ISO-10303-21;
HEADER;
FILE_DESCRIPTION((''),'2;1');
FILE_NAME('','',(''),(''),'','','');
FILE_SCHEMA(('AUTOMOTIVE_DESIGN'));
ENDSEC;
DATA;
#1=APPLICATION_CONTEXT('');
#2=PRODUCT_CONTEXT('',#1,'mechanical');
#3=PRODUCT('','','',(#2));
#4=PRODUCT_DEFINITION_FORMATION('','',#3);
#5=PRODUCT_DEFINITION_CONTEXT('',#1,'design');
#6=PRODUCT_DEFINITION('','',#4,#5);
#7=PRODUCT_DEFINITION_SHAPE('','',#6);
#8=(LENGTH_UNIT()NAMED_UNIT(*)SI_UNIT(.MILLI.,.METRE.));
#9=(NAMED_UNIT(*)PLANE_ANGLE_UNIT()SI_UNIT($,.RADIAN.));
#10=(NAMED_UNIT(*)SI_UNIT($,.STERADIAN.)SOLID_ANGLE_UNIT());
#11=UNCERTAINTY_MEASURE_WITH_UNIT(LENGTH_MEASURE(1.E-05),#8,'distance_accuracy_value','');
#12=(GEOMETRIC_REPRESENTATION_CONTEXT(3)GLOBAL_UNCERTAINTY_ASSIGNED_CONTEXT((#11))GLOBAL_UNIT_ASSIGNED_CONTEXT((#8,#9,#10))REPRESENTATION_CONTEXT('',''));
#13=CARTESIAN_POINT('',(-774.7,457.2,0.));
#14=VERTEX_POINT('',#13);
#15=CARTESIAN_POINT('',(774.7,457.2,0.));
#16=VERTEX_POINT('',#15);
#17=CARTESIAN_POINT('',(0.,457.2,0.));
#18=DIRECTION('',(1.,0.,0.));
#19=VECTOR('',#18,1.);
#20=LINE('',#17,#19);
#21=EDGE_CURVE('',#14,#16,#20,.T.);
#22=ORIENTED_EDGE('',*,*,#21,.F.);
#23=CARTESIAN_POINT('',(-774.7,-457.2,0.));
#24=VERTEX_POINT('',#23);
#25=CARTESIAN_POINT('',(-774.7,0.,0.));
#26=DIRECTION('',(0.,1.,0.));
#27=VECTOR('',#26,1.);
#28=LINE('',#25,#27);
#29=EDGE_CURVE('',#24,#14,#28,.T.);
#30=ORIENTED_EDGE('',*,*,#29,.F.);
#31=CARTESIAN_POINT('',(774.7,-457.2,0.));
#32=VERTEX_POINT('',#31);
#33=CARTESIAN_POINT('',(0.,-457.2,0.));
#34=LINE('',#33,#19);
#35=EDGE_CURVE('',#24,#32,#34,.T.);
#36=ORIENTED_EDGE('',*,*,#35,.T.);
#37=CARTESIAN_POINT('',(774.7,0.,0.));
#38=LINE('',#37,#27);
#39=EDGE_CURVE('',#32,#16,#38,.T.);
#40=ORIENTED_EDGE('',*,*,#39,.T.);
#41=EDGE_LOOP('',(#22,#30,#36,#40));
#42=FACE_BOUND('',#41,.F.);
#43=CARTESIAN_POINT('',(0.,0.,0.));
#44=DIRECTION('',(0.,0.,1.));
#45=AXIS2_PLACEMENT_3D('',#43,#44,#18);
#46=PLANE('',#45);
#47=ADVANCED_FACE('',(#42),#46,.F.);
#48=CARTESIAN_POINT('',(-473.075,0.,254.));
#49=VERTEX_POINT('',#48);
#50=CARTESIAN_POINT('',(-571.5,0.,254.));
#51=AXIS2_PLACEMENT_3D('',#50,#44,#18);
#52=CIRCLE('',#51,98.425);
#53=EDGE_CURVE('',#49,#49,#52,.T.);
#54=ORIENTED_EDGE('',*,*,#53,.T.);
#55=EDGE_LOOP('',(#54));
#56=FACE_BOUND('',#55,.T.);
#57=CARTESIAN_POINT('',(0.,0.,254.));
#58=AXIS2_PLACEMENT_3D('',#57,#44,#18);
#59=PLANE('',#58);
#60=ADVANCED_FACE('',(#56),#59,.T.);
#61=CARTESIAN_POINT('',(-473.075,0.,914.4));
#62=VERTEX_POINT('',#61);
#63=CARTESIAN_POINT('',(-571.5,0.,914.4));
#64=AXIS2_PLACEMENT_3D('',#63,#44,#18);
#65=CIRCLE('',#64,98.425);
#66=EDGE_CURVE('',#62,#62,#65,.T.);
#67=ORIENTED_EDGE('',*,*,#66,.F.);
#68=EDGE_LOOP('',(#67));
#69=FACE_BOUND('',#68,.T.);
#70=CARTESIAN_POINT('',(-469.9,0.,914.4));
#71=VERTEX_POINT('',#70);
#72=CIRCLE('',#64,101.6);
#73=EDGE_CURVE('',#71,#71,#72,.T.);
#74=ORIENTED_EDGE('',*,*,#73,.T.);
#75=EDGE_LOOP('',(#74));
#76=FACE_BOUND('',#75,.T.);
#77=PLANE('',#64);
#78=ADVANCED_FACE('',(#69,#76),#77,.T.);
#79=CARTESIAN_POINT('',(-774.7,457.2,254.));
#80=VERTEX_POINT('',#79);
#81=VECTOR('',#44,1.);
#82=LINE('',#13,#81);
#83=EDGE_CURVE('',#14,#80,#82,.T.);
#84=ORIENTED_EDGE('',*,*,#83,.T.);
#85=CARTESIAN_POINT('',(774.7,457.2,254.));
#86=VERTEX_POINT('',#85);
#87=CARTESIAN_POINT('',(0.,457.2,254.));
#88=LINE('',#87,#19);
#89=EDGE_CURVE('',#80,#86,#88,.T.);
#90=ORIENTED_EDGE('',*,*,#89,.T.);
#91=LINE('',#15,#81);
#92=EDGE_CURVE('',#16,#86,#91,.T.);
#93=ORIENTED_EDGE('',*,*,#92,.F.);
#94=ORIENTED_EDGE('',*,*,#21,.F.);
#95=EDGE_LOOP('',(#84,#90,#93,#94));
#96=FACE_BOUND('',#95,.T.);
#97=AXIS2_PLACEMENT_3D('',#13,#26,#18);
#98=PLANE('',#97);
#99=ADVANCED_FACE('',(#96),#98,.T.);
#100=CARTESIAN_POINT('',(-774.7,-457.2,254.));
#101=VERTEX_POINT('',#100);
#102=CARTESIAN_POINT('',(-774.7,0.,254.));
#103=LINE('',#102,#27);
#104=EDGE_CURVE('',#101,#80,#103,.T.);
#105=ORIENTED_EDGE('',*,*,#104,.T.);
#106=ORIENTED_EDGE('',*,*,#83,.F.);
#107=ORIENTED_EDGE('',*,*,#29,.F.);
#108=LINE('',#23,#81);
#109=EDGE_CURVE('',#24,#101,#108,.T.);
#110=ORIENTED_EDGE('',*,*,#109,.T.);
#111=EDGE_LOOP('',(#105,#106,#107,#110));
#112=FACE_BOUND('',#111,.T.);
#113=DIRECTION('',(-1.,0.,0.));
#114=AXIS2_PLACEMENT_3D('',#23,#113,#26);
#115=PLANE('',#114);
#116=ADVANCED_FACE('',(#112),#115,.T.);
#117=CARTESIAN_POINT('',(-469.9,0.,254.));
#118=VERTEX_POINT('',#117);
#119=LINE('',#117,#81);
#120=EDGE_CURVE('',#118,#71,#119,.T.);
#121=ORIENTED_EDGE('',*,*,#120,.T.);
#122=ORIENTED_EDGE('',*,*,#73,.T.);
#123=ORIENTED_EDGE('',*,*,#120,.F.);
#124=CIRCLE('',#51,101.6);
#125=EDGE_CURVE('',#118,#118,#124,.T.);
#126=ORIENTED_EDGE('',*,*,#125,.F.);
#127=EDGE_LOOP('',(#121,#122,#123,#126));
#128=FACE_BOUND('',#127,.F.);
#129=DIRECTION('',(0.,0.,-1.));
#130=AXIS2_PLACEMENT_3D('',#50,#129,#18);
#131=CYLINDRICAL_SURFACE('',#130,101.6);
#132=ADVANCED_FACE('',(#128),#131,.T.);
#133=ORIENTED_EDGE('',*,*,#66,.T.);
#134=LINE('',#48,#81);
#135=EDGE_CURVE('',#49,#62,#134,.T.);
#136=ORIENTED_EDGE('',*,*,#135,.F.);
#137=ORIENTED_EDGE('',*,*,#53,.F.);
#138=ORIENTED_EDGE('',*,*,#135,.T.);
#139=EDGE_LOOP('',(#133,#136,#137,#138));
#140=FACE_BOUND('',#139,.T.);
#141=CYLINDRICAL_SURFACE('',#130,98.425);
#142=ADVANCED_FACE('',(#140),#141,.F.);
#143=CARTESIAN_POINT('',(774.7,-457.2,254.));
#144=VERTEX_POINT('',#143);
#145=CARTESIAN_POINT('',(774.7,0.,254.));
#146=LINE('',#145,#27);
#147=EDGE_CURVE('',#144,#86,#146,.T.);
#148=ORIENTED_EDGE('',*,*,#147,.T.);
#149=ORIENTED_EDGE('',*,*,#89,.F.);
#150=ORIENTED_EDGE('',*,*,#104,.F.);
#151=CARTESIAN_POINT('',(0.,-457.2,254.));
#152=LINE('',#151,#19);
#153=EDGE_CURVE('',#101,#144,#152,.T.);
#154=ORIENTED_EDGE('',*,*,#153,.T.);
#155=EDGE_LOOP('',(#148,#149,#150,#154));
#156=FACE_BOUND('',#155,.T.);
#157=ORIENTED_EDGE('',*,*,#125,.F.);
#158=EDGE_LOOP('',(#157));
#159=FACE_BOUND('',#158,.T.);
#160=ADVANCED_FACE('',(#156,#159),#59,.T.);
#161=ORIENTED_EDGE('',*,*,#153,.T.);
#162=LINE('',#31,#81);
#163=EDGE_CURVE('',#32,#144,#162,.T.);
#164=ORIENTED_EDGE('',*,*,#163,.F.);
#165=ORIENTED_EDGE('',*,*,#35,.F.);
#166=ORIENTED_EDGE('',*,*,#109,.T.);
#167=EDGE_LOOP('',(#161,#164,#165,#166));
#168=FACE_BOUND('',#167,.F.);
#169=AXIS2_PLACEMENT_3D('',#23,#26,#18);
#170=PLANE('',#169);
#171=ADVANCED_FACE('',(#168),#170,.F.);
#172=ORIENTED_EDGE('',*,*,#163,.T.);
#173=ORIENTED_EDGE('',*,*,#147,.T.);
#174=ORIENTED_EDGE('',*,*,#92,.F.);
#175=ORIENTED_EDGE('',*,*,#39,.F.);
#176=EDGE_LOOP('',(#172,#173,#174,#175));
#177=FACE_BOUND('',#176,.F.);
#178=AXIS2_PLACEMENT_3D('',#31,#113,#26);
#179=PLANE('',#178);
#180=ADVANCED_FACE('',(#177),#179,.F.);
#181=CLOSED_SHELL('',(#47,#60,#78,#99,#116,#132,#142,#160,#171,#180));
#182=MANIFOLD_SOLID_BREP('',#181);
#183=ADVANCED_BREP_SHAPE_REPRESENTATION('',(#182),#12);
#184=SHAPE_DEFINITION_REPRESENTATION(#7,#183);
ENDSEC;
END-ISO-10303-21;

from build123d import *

# Parameters (mm, degrees)
F0_W     = 1549.4
F0_H     = 914.4
F1_DEPTH = 254
F2_R     = 101.6
F2_R_2   = 98.425
F3_DEPTH = 660.4


with BuildPart() as f1:
    # F0 (on Top) → F1 (new body)
    with BuildSketch(Plane.XY):
        Rectangle(F0_W, F0_H)
    extrude(amount=F1_DEPTH)

    # F2 (on face) → F3 (join)
    with BuildSketch(Plane.XY.offset(254)):
        with Locations((-571.5, 0)):
            Circle(F2_R)
        with Locations((-571.5, 0)):
            Circle(F2_R_2, mode=Mode.SUBTRACT)
    extrude(amount=F3_DEPTH)


solid = f1.part
